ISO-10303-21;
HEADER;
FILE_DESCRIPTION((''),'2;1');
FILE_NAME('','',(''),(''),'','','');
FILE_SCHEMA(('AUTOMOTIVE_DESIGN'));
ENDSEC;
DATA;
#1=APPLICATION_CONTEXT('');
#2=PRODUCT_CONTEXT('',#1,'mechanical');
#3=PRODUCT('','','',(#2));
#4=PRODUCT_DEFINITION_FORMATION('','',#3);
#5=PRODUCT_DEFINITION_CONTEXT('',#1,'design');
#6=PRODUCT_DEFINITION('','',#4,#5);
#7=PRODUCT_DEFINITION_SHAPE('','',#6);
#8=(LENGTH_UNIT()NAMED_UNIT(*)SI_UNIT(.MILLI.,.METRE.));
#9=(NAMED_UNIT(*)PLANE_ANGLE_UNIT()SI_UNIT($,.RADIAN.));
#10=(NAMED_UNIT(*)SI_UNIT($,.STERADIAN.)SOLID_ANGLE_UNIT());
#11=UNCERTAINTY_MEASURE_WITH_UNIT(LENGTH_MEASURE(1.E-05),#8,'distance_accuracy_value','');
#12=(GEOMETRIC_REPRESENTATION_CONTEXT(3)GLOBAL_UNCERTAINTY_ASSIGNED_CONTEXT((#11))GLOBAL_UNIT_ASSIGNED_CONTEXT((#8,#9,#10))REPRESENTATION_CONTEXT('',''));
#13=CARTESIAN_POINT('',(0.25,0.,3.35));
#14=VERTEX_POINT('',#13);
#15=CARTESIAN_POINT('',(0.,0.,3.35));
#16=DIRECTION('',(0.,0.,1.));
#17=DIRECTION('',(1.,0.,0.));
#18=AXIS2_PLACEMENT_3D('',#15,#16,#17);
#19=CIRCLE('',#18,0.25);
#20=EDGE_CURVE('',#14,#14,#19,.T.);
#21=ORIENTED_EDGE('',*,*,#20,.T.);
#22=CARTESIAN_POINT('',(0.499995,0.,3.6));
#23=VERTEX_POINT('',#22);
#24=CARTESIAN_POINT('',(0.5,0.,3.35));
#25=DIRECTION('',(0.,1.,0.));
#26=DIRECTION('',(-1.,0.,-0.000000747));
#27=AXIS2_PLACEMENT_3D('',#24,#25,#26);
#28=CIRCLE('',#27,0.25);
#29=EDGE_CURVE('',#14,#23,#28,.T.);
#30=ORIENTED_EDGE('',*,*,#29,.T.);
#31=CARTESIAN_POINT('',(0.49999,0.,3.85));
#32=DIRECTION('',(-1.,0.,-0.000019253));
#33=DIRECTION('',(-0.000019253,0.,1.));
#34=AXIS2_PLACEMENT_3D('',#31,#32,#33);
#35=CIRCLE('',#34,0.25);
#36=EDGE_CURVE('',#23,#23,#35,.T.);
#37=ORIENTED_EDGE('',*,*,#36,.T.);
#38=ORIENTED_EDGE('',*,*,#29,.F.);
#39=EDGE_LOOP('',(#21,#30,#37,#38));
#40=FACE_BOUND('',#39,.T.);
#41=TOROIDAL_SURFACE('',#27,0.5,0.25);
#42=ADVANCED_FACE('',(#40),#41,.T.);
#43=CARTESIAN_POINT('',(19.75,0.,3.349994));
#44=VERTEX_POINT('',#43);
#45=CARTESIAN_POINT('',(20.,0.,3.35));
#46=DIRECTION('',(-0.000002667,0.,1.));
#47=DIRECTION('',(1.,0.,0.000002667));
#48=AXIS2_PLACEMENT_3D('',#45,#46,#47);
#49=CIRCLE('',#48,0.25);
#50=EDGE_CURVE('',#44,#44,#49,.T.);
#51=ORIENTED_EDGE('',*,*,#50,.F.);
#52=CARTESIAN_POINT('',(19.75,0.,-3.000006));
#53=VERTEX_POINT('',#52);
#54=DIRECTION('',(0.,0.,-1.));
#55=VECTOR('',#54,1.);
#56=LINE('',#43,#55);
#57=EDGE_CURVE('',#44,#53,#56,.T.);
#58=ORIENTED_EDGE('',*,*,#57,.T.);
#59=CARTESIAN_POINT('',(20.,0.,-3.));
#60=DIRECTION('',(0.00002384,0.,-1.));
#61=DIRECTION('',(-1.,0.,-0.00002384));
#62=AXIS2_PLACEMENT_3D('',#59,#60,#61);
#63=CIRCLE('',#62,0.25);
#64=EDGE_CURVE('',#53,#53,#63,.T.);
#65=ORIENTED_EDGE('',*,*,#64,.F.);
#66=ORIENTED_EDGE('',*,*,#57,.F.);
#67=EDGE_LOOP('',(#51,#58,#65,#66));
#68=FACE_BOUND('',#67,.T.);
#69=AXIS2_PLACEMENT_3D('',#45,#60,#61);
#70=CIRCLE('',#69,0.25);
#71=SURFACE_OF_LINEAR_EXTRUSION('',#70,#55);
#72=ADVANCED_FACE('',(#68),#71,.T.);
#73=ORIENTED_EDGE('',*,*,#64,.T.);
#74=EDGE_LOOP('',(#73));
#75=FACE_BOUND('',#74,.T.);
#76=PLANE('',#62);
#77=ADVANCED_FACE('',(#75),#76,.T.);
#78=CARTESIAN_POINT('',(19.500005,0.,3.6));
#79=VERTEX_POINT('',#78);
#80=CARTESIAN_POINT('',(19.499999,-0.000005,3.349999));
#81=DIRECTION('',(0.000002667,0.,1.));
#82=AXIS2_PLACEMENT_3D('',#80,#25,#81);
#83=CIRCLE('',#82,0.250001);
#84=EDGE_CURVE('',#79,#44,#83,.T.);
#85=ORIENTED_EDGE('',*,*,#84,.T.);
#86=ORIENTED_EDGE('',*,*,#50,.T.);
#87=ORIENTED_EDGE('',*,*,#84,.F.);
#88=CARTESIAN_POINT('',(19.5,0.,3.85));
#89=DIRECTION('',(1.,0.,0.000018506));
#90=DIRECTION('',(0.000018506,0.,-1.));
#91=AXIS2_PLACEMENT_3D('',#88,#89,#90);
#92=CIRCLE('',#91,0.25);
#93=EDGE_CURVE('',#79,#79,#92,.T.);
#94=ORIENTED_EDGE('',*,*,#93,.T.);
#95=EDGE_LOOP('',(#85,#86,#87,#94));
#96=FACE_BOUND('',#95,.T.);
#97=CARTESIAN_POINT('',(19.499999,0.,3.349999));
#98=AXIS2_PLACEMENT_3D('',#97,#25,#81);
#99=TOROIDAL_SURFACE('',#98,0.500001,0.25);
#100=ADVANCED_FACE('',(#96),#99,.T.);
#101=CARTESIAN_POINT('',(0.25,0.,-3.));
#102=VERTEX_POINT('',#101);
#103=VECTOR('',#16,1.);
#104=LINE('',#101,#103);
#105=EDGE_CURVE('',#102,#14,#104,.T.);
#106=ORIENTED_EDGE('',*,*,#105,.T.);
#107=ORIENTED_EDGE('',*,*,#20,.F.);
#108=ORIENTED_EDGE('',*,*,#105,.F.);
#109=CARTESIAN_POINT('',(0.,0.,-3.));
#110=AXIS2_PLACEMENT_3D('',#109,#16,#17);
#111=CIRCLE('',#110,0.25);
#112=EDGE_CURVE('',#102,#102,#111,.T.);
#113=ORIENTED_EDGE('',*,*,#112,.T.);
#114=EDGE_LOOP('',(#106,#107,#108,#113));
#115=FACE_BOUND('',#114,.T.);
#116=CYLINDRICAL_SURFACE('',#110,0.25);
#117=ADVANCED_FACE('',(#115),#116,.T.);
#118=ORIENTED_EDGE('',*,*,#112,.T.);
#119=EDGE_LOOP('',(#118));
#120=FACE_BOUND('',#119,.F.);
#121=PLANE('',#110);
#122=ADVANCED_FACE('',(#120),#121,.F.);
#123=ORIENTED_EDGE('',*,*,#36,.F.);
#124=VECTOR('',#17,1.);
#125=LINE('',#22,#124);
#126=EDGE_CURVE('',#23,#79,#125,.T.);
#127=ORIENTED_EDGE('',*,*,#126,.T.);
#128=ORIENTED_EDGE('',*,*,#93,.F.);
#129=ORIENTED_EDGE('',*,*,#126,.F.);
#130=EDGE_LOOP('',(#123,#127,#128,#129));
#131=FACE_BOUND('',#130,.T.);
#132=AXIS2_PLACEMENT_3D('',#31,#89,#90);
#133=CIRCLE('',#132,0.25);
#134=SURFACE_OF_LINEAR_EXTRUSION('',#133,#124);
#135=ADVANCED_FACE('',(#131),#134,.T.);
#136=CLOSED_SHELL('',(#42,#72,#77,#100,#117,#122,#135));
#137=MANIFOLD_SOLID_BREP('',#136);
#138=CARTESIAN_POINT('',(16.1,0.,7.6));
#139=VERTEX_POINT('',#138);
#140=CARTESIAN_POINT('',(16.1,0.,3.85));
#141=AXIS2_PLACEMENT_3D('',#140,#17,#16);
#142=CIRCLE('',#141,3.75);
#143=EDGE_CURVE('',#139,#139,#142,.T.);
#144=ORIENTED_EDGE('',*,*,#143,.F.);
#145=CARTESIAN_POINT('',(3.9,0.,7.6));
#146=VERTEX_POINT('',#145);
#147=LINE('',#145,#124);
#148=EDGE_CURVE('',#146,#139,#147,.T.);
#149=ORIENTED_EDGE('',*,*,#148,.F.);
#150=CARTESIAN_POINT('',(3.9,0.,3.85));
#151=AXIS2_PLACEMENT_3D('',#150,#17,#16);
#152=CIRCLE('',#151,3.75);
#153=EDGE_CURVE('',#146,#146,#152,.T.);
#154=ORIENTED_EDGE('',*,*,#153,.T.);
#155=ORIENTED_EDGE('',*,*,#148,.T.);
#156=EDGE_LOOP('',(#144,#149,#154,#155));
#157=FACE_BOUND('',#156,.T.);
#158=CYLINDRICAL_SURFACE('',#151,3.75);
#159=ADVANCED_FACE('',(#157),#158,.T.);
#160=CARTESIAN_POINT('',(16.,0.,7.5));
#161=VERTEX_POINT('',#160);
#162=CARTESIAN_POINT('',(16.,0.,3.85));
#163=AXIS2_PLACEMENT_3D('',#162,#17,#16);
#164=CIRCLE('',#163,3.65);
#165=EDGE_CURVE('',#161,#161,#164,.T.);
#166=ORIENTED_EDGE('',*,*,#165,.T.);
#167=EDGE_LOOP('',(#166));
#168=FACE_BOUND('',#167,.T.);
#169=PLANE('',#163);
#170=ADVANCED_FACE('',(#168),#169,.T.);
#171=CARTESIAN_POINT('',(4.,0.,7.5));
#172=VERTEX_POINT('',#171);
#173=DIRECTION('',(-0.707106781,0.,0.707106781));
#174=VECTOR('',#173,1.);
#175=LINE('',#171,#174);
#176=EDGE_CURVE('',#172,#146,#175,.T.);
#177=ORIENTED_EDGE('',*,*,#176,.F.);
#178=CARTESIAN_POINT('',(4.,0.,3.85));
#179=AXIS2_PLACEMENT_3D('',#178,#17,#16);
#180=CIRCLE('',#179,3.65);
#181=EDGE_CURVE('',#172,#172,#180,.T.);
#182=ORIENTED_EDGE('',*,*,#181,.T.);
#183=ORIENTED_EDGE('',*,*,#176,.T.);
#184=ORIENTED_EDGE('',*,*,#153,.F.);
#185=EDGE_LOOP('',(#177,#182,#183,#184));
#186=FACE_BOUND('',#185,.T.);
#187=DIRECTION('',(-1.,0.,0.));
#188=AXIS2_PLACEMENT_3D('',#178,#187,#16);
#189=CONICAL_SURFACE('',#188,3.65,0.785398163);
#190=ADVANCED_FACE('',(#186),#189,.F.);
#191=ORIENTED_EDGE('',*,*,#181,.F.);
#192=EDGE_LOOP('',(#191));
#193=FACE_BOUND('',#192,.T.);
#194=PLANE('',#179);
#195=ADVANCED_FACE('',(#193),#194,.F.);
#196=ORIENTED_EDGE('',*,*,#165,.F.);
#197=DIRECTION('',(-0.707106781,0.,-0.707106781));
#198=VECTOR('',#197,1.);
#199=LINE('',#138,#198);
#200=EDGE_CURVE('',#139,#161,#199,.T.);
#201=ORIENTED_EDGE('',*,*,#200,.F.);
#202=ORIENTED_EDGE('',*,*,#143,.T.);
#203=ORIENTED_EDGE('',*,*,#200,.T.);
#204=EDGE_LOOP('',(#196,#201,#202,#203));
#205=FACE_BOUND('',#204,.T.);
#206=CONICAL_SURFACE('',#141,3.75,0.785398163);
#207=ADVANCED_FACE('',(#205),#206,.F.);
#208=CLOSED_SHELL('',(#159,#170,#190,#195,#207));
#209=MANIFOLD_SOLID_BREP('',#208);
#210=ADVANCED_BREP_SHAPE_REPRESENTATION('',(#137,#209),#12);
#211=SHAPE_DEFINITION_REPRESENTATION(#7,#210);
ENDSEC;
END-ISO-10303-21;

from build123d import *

# Parameters (mm, degrees)
SKETCH_R = 0.25


with BuildPart() as sweep_body:
    # Sweep: sweep along a path in Sketch001
    with BuildLine(Plane.XZ) as sweep_path:
        Line((0, -3), (0, 3.35))
        ThreePointArc((0, 3.35), (0.146443, 3.70355), (0.49999, 3.85))
        Line((0.49999, 3.85), (19.5, 3.85))
        ThreePointArc((19.5, 3.85), (19.853553, 3.703553), (20, 3.35))
        Line((20, 3.35), (20, -3))
    # Sketch → Sweep (sweep)
    with BuildSketch(Plane.XY.offset(-2)):
        Circle(SKETCH_R)
    sweep(path=sweep_path.line)


with BuildPart() as revolution:
    # Sketch002 → Revolution (revolve)
    with BuildSketch(Plane.XZ):
        Polygon((3.9, 7.6), (16.1, 7.6), (16, 7.5), (16, 3.85), (4, 3.85), (4, 7.5), align=None)
    revolve(axis=Axis((7.611803, 0, 3.85), (1, 0, 0)))


solid = Compound([sweep_body.part, revolution.part])
